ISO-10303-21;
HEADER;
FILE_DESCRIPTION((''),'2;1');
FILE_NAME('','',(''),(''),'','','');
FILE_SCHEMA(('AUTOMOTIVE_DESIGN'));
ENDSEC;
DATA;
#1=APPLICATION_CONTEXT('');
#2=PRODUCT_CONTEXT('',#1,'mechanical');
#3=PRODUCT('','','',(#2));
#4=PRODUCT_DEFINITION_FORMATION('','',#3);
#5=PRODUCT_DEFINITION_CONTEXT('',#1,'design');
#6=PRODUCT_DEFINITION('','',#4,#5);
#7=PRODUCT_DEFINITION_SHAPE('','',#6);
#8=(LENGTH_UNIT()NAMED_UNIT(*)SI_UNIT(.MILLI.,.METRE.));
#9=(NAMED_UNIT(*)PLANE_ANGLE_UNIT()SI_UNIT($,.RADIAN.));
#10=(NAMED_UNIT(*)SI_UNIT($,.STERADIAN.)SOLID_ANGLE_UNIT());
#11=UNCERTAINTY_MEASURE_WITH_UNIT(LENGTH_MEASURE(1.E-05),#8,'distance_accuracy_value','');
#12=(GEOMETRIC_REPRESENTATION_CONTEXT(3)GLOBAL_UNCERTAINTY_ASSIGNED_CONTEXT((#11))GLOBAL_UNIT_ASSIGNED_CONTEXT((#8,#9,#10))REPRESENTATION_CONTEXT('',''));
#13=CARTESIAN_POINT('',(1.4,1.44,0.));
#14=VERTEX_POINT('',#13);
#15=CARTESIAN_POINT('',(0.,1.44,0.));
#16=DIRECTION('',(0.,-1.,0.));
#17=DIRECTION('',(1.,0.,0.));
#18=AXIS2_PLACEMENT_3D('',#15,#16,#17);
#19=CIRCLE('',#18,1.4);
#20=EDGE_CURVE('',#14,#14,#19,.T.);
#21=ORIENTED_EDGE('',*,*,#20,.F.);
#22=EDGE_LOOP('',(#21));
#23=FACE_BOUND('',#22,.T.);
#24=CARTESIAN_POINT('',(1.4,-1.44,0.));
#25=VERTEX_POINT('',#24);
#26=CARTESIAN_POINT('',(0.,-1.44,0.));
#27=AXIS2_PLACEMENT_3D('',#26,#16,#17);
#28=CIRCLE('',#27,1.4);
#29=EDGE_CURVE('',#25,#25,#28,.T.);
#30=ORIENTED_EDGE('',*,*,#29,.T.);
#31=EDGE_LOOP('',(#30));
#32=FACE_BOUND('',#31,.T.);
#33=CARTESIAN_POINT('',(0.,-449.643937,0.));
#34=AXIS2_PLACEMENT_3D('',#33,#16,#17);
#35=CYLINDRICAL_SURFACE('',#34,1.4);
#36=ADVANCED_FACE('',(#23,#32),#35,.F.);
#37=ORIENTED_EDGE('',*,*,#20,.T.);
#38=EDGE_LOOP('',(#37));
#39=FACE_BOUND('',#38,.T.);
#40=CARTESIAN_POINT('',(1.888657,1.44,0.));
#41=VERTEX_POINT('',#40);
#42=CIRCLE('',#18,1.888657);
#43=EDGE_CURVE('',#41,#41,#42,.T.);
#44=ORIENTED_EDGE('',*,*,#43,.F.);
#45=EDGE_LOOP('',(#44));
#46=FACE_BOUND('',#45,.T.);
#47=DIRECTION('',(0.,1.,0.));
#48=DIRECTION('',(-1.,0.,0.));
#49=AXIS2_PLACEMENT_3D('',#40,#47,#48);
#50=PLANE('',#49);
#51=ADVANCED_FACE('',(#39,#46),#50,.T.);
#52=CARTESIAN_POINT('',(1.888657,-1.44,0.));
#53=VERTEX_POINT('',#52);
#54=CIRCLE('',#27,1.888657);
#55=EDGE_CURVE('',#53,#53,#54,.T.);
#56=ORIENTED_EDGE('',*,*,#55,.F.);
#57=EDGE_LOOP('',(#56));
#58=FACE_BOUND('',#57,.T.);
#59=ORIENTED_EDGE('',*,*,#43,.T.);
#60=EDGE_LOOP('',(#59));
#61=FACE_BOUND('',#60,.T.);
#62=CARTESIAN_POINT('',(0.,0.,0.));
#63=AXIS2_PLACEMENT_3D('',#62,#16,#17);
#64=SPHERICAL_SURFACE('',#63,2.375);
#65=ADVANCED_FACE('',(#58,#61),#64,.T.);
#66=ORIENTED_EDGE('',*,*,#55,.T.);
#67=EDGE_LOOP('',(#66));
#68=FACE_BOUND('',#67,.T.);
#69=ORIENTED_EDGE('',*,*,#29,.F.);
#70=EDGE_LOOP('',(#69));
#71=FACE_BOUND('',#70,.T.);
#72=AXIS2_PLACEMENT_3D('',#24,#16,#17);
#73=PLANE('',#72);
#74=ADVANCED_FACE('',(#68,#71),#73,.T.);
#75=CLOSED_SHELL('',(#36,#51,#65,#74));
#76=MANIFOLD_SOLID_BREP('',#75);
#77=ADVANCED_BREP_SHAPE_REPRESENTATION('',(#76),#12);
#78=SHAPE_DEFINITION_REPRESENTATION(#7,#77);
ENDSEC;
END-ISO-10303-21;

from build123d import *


with BuildPart() as part:
    # Sketch1 → Revolve1 (revolve)
    with BuildSketch(Plane.XY):
        with BuildLine():
            Line((1.88865693, 1.44), (1.4, 1.44))
            Line((1.4, 1.44), (1.4, -1.44))
            Line((1.4, -1.44), (1.88865693, -1.44))
            ThreePointArc((1.88865693, -1.44), (2.375, 0), (1.88865693, 1.44))
        make_face()
    revolve(axis=Axis((0, -449.643937115, 0), (0, 1, 0)))


solid = part.part
